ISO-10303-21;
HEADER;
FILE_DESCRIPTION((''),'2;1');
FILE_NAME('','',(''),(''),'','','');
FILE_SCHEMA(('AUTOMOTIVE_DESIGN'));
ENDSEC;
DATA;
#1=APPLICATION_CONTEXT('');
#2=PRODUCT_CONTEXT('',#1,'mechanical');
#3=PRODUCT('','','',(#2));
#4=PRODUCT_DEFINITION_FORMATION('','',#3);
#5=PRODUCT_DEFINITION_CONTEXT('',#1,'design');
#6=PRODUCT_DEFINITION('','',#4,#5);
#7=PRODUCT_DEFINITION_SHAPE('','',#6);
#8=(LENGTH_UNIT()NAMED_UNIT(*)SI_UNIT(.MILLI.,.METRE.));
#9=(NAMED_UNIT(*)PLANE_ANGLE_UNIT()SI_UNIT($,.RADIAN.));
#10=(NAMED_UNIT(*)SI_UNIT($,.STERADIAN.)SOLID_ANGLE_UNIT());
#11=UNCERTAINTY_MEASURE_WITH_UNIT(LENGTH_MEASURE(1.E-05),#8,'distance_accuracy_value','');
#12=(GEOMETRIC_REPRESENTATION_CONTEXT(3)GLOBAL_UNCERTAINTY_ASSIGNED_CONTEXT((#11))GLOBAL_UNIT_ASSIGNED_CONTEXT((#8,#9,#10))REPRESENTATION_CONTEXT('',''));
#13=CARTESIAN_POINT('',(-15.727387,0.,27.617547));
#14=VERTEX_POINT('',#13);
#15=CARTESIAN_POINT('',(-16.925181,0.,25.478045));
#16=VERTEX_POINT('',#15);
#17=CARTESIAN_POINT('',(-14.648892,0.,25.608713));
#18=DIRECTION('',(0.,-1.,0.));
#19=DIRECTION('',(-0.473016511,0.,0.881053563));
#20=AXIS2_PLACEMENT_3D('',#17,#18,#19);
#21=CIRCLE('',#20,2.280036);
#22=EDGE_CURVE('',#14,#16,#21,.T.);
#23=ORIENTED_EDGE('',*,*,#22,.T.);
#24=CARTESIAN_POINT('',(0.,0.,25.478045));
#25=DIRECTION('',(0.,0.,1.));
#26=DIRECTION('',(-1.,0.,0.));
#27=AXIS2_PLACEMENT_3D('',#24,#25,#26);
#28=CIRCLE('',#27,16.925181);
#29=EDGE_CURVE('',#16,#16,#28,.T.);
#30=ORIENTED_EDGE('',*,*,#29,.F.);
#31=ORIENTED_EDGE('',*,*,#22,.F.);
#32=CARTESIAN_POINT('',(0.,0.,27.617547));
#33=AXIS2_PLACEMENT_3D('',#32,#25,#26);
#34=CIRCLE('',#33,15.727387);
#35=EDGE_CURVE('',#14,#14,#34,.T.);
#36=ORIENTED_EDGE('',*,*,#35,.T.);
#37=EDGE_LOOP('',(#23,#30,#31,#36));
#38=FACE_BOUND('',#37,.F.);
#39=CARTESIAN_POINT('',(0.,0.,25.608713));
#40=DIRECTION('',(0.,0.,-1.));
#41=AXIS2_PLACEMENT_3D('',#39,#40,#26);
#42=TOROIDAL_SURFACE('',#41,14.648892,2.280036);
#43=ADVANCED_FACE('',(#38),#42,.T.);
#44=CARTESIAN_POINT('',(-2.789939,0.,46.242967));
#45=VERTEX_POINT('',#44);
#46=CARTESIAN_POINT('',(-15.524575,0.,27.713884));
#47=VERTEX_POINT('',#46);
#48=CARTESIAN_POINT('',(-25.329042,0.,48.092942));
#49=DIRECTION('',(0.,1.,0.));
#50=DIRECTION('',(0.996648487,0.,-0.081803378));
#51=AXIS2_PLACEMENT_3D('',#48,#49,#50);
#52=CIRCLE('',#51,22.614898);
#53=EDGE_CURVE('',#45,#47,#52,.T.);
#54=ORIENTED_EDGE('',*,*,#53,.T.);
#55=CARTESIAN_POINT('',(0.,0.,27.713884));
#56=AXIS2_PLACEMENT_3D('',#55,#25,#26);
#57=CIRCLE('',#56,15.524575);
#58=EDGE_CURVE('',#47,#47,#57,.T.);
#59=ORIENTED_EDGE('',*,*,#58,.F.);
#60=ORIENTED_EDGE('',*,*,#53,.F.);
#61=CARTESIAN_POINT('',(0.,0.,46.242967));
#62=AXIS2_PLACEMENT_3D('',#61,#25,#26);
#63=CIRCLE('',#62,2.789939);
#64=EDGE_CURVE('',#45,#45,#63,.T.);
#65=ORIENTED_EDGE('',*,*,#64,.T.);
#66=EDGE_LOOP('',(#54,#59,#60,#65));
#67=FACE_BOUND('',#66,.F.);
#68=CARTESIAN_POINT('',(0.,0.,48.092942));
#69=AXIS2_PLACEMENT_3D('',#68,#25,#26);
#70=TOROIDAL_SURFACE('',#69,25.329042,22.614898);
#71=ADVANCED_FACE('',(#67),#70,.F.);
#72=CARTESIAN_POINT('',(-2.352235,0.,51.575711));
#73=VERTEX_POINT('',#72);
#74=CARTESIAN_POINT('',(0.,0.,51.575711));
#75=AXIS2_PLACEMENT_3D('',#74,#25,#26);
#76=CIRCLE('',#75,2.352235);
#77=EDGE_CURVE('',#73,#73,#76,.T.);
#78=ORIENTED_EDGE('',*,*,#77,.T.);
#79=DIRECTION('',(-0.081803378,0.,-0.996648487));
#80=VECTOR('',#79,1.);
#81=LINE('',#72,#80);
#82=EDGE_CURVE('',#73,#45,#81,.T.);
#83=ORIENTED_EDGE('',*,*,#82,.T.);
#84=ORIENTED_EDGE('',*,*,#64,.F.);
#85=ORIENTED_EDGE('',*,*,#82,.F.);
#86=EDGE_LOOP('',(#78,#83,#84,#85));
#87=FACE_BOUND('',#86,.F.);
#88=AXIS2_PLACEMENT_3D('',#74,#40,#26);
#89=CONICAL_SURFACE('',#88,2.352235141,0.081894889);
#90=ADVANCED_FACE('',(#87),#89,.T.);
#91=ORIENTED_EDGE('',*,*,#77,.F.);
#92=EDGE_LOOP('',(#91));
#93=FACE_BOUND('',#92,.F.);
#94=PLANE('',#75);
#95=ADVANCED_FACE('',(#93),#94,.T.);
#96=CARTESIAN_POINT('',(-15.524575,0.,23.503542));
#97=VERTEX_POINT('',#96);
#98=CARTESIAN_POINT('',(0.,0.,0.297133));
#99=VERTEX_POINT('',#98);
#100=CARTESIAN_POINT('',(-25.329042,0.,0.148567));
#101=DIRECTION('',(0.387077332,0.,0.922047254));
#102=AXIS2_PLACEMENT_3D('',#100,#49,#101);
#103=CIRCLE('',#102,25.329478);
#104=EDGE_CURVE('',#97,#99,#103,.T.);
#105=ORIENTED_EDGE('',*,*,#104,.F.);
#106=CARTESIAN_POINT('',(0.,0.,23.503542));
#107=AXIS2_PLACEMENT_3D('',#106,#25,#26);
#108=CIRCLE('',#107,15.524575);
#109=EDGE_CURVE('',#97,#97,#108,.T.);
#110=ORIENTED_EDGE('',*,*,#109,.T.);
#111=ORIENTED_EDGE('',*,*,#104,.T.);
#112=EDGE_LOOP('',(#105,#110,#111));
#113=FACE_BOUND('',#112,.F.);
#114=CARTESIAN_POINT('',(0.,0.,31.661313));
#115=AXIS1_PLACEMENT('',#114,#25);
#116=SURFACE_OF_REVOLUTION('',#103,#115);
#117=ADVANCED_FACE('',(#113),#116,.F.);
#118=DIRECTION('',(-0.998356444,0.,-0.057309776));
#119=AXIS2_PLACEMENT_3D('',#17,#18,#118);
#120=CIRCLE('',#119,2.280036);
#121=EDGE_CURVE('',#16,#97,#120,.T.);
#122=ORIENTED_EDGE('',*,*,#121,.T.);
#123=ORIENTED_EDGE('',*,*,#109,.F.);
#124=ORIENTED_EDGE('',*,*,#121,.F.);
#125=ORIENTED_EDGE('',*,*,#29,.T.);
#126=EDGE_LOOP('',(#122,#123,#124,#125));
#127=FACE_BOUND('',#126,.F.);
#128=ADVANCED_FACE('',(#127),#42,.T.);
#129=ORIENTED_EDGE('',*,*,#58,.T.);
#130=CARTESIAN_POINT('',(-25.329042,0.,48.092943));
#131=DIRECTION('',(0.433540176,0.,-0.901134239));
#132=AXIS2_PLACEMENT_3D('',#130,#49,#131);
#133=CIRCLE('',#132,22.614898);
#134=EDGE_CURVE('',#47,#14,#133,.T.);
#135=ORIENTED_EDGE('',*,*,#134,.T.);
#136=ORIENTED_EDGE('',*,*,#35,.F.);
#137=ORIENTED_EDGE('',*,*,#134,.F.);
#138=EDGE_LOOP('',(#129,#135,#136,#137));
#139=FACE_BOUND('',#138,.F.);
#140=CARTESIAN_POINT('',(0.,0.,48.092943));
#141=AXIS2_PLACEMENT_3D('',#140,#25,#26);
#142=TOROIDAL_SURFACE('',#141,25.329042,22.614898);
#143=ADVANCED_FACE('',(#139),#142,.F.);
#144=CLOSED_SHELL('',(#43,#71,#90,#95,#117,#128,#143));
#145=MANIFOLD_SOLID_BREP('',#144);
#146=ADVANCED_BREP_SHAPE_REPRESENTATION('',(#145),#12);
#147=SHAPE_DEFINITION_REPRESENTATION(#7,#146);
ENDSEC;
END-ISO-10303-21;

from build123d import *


with BuildPart() as f1:
    # F0 (on Front) → F1 (revolve)
    with BuildSketch(Plane.XZ):
        with BuildLine():
            Line((-15.5245754868, 25.4780445248), (0, 25.4780445248))
            Line((0, 25.4780445248), (0, 51.5757113287))
            Line((0, 51.5757113287), (-2.3522351411, 51.5757113287))
            Line((-2.3522351411, 51.5757113287), (-2.7899385896, 46.242967248))
            ThreePointArc((-2.7899385896, 46.242967248), (-6.6914895082, 35.2837569387), (-15.5245754868, 27.7138836064))
            Line((-15.5245754868, 27.7138836064), (-15.5245754868, 25.4780445248))
        make_face()
        with BuildLine():
            Line((0, 0.2971331928), (0, 25.4780445248))
            Line((0, 25.4780445248), (-15.5245754868, 25.4780445248))
            Line((-15.5245754868, 25.4780445248), (-15.5245754868, 23.5035421708))
            ThreePointArc((-15.5245754868, 23.5035421708), (-4.2761275236, 14.2325019362), (0, 0.2971331928))
        make_face()
        with BuildLine():
            Line((-16.9251810058, 25.4780445248), (-15.5245754868, 25.4780445248))
            Line((-15.5245754868, 25.4780445248), (-15.5245754868, 27.7138836064))
            ThreePointArc((-15.5245754868, 27.7138836064), (-15.6258616602, 27.6654635474), (-15.7273869517, 27.617546888))
            ThreePointArc((-15.7273869517, 27.617546888), (-16.6383671974, 26.722514571), (-16.9251810058, 25.4780445248))
        make_face()
        with BuildLine():
            Line((-15.5245754868, 23.5035421708), (-15.5245754868, 25.4780445248))
            Line((-15.5245754868, 25.4780445248), (-16.9251810058, 25.4780445248))
            ThreePointArc((-16.9251810058, 25.4780445248), (-16.508568758, 24.2895585934), (-15.5245754868, 23.5035421708))
        make_face()
    revolve(axis=Axis((0, 0, 31.6613130271), (0, 0, 1)))


solid = f1.part
